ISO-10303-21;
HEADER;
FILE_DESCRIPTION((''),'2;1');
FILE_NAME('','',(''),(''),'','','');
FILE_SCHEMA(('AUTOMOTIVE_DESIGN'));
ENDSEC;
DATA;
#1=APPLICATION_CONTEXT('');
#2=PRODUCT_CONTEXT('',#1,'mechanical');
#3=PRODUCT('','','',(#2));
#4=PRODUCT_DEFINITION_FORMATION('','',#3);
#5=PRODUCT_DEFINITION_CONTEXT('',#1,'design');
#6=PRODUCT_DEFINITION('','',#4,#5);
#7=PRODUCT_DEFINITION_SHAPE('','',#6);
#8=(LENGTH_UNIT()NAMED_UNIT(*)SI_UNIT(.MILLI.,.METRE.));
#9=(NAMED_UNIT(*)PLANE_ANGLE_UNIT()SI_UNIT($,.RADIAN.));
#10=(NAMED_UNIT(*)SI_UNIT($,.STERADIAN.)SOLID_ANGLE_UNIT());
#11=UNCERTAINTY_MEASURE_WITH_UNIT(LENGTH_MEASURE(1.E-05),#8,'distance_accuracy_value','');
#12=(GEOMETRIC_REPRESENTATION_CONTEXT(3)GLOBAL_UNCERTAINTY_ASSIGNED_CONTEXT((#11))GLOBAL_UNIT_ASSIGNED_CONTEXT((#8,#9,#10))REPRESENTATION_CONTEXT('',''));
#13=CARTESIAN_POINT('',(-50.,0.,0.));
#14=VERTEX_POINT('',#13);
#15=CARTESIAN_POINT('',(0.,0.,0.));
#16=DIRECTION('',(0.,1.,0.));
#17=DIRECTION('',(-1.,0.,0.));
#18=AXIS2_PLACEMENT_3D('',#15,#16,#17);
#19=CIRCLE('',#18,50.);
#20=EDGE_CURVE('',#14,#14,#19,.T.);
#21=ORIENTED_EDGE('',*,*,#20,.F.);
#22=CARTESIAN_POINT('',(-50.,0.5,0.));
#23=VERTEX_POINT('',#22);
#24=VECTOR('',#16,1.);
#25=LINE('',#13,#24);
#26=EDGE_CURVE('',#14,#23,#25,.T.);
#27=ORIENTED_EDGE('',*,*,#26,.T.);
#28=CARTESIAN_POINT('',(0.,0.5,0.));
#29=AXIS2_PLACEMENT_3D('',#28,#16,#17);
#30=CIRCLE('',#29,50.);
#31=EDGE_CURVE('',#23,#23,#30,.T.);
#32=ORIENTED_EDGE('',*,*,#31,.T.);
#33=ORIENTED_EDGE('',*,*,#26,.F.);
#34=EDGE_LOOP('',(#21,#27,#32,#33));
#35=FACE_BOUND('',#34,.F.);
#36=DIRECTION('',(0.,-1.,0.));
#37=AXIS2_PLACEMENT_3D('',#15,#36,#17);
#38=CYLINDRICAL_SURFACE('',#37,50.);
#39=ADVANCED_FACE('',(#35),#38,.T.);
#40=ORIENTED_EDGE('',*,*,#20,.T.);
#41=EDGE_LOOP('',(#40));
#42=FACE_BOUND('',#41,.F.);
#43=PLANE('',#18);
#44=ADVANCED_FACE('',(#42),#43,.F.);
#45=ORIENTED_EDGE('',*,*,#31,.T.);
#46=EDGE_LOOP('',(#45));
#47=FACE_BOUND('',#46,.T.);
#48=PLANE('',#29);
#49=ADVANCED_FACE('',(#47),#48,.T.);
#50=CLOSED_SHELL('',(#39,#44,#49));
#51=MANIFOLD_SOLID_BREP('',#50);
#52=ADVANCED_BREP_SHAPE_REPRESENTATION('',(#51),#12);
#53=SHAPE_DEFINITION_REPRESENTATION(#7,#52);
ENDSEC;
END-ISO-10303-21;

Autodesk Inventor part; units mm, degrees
ref_plane "YZ Plane" through (0, 0, 0) normal (1, 0, 0) x (0, 1, 0)
ref_plane "XZ Plane" through (0, 0, 0) normal (0, 1, 0) x (-1, 0, 0)
ref_plane "XY Plane" through (0, 0, 0) normal (0, 0, 1) x (1, 0, 0)
sketch "Эскиз1" plane through (0, 0, 0) normal (0, 1, 0) x (-1, 0, 0)
  circle A0 centre (0, 0) radius 50
  dimension "d0" = 100
extrude "Выдавливание1" add sketch "Эскиз1" along normal blind 0.5
